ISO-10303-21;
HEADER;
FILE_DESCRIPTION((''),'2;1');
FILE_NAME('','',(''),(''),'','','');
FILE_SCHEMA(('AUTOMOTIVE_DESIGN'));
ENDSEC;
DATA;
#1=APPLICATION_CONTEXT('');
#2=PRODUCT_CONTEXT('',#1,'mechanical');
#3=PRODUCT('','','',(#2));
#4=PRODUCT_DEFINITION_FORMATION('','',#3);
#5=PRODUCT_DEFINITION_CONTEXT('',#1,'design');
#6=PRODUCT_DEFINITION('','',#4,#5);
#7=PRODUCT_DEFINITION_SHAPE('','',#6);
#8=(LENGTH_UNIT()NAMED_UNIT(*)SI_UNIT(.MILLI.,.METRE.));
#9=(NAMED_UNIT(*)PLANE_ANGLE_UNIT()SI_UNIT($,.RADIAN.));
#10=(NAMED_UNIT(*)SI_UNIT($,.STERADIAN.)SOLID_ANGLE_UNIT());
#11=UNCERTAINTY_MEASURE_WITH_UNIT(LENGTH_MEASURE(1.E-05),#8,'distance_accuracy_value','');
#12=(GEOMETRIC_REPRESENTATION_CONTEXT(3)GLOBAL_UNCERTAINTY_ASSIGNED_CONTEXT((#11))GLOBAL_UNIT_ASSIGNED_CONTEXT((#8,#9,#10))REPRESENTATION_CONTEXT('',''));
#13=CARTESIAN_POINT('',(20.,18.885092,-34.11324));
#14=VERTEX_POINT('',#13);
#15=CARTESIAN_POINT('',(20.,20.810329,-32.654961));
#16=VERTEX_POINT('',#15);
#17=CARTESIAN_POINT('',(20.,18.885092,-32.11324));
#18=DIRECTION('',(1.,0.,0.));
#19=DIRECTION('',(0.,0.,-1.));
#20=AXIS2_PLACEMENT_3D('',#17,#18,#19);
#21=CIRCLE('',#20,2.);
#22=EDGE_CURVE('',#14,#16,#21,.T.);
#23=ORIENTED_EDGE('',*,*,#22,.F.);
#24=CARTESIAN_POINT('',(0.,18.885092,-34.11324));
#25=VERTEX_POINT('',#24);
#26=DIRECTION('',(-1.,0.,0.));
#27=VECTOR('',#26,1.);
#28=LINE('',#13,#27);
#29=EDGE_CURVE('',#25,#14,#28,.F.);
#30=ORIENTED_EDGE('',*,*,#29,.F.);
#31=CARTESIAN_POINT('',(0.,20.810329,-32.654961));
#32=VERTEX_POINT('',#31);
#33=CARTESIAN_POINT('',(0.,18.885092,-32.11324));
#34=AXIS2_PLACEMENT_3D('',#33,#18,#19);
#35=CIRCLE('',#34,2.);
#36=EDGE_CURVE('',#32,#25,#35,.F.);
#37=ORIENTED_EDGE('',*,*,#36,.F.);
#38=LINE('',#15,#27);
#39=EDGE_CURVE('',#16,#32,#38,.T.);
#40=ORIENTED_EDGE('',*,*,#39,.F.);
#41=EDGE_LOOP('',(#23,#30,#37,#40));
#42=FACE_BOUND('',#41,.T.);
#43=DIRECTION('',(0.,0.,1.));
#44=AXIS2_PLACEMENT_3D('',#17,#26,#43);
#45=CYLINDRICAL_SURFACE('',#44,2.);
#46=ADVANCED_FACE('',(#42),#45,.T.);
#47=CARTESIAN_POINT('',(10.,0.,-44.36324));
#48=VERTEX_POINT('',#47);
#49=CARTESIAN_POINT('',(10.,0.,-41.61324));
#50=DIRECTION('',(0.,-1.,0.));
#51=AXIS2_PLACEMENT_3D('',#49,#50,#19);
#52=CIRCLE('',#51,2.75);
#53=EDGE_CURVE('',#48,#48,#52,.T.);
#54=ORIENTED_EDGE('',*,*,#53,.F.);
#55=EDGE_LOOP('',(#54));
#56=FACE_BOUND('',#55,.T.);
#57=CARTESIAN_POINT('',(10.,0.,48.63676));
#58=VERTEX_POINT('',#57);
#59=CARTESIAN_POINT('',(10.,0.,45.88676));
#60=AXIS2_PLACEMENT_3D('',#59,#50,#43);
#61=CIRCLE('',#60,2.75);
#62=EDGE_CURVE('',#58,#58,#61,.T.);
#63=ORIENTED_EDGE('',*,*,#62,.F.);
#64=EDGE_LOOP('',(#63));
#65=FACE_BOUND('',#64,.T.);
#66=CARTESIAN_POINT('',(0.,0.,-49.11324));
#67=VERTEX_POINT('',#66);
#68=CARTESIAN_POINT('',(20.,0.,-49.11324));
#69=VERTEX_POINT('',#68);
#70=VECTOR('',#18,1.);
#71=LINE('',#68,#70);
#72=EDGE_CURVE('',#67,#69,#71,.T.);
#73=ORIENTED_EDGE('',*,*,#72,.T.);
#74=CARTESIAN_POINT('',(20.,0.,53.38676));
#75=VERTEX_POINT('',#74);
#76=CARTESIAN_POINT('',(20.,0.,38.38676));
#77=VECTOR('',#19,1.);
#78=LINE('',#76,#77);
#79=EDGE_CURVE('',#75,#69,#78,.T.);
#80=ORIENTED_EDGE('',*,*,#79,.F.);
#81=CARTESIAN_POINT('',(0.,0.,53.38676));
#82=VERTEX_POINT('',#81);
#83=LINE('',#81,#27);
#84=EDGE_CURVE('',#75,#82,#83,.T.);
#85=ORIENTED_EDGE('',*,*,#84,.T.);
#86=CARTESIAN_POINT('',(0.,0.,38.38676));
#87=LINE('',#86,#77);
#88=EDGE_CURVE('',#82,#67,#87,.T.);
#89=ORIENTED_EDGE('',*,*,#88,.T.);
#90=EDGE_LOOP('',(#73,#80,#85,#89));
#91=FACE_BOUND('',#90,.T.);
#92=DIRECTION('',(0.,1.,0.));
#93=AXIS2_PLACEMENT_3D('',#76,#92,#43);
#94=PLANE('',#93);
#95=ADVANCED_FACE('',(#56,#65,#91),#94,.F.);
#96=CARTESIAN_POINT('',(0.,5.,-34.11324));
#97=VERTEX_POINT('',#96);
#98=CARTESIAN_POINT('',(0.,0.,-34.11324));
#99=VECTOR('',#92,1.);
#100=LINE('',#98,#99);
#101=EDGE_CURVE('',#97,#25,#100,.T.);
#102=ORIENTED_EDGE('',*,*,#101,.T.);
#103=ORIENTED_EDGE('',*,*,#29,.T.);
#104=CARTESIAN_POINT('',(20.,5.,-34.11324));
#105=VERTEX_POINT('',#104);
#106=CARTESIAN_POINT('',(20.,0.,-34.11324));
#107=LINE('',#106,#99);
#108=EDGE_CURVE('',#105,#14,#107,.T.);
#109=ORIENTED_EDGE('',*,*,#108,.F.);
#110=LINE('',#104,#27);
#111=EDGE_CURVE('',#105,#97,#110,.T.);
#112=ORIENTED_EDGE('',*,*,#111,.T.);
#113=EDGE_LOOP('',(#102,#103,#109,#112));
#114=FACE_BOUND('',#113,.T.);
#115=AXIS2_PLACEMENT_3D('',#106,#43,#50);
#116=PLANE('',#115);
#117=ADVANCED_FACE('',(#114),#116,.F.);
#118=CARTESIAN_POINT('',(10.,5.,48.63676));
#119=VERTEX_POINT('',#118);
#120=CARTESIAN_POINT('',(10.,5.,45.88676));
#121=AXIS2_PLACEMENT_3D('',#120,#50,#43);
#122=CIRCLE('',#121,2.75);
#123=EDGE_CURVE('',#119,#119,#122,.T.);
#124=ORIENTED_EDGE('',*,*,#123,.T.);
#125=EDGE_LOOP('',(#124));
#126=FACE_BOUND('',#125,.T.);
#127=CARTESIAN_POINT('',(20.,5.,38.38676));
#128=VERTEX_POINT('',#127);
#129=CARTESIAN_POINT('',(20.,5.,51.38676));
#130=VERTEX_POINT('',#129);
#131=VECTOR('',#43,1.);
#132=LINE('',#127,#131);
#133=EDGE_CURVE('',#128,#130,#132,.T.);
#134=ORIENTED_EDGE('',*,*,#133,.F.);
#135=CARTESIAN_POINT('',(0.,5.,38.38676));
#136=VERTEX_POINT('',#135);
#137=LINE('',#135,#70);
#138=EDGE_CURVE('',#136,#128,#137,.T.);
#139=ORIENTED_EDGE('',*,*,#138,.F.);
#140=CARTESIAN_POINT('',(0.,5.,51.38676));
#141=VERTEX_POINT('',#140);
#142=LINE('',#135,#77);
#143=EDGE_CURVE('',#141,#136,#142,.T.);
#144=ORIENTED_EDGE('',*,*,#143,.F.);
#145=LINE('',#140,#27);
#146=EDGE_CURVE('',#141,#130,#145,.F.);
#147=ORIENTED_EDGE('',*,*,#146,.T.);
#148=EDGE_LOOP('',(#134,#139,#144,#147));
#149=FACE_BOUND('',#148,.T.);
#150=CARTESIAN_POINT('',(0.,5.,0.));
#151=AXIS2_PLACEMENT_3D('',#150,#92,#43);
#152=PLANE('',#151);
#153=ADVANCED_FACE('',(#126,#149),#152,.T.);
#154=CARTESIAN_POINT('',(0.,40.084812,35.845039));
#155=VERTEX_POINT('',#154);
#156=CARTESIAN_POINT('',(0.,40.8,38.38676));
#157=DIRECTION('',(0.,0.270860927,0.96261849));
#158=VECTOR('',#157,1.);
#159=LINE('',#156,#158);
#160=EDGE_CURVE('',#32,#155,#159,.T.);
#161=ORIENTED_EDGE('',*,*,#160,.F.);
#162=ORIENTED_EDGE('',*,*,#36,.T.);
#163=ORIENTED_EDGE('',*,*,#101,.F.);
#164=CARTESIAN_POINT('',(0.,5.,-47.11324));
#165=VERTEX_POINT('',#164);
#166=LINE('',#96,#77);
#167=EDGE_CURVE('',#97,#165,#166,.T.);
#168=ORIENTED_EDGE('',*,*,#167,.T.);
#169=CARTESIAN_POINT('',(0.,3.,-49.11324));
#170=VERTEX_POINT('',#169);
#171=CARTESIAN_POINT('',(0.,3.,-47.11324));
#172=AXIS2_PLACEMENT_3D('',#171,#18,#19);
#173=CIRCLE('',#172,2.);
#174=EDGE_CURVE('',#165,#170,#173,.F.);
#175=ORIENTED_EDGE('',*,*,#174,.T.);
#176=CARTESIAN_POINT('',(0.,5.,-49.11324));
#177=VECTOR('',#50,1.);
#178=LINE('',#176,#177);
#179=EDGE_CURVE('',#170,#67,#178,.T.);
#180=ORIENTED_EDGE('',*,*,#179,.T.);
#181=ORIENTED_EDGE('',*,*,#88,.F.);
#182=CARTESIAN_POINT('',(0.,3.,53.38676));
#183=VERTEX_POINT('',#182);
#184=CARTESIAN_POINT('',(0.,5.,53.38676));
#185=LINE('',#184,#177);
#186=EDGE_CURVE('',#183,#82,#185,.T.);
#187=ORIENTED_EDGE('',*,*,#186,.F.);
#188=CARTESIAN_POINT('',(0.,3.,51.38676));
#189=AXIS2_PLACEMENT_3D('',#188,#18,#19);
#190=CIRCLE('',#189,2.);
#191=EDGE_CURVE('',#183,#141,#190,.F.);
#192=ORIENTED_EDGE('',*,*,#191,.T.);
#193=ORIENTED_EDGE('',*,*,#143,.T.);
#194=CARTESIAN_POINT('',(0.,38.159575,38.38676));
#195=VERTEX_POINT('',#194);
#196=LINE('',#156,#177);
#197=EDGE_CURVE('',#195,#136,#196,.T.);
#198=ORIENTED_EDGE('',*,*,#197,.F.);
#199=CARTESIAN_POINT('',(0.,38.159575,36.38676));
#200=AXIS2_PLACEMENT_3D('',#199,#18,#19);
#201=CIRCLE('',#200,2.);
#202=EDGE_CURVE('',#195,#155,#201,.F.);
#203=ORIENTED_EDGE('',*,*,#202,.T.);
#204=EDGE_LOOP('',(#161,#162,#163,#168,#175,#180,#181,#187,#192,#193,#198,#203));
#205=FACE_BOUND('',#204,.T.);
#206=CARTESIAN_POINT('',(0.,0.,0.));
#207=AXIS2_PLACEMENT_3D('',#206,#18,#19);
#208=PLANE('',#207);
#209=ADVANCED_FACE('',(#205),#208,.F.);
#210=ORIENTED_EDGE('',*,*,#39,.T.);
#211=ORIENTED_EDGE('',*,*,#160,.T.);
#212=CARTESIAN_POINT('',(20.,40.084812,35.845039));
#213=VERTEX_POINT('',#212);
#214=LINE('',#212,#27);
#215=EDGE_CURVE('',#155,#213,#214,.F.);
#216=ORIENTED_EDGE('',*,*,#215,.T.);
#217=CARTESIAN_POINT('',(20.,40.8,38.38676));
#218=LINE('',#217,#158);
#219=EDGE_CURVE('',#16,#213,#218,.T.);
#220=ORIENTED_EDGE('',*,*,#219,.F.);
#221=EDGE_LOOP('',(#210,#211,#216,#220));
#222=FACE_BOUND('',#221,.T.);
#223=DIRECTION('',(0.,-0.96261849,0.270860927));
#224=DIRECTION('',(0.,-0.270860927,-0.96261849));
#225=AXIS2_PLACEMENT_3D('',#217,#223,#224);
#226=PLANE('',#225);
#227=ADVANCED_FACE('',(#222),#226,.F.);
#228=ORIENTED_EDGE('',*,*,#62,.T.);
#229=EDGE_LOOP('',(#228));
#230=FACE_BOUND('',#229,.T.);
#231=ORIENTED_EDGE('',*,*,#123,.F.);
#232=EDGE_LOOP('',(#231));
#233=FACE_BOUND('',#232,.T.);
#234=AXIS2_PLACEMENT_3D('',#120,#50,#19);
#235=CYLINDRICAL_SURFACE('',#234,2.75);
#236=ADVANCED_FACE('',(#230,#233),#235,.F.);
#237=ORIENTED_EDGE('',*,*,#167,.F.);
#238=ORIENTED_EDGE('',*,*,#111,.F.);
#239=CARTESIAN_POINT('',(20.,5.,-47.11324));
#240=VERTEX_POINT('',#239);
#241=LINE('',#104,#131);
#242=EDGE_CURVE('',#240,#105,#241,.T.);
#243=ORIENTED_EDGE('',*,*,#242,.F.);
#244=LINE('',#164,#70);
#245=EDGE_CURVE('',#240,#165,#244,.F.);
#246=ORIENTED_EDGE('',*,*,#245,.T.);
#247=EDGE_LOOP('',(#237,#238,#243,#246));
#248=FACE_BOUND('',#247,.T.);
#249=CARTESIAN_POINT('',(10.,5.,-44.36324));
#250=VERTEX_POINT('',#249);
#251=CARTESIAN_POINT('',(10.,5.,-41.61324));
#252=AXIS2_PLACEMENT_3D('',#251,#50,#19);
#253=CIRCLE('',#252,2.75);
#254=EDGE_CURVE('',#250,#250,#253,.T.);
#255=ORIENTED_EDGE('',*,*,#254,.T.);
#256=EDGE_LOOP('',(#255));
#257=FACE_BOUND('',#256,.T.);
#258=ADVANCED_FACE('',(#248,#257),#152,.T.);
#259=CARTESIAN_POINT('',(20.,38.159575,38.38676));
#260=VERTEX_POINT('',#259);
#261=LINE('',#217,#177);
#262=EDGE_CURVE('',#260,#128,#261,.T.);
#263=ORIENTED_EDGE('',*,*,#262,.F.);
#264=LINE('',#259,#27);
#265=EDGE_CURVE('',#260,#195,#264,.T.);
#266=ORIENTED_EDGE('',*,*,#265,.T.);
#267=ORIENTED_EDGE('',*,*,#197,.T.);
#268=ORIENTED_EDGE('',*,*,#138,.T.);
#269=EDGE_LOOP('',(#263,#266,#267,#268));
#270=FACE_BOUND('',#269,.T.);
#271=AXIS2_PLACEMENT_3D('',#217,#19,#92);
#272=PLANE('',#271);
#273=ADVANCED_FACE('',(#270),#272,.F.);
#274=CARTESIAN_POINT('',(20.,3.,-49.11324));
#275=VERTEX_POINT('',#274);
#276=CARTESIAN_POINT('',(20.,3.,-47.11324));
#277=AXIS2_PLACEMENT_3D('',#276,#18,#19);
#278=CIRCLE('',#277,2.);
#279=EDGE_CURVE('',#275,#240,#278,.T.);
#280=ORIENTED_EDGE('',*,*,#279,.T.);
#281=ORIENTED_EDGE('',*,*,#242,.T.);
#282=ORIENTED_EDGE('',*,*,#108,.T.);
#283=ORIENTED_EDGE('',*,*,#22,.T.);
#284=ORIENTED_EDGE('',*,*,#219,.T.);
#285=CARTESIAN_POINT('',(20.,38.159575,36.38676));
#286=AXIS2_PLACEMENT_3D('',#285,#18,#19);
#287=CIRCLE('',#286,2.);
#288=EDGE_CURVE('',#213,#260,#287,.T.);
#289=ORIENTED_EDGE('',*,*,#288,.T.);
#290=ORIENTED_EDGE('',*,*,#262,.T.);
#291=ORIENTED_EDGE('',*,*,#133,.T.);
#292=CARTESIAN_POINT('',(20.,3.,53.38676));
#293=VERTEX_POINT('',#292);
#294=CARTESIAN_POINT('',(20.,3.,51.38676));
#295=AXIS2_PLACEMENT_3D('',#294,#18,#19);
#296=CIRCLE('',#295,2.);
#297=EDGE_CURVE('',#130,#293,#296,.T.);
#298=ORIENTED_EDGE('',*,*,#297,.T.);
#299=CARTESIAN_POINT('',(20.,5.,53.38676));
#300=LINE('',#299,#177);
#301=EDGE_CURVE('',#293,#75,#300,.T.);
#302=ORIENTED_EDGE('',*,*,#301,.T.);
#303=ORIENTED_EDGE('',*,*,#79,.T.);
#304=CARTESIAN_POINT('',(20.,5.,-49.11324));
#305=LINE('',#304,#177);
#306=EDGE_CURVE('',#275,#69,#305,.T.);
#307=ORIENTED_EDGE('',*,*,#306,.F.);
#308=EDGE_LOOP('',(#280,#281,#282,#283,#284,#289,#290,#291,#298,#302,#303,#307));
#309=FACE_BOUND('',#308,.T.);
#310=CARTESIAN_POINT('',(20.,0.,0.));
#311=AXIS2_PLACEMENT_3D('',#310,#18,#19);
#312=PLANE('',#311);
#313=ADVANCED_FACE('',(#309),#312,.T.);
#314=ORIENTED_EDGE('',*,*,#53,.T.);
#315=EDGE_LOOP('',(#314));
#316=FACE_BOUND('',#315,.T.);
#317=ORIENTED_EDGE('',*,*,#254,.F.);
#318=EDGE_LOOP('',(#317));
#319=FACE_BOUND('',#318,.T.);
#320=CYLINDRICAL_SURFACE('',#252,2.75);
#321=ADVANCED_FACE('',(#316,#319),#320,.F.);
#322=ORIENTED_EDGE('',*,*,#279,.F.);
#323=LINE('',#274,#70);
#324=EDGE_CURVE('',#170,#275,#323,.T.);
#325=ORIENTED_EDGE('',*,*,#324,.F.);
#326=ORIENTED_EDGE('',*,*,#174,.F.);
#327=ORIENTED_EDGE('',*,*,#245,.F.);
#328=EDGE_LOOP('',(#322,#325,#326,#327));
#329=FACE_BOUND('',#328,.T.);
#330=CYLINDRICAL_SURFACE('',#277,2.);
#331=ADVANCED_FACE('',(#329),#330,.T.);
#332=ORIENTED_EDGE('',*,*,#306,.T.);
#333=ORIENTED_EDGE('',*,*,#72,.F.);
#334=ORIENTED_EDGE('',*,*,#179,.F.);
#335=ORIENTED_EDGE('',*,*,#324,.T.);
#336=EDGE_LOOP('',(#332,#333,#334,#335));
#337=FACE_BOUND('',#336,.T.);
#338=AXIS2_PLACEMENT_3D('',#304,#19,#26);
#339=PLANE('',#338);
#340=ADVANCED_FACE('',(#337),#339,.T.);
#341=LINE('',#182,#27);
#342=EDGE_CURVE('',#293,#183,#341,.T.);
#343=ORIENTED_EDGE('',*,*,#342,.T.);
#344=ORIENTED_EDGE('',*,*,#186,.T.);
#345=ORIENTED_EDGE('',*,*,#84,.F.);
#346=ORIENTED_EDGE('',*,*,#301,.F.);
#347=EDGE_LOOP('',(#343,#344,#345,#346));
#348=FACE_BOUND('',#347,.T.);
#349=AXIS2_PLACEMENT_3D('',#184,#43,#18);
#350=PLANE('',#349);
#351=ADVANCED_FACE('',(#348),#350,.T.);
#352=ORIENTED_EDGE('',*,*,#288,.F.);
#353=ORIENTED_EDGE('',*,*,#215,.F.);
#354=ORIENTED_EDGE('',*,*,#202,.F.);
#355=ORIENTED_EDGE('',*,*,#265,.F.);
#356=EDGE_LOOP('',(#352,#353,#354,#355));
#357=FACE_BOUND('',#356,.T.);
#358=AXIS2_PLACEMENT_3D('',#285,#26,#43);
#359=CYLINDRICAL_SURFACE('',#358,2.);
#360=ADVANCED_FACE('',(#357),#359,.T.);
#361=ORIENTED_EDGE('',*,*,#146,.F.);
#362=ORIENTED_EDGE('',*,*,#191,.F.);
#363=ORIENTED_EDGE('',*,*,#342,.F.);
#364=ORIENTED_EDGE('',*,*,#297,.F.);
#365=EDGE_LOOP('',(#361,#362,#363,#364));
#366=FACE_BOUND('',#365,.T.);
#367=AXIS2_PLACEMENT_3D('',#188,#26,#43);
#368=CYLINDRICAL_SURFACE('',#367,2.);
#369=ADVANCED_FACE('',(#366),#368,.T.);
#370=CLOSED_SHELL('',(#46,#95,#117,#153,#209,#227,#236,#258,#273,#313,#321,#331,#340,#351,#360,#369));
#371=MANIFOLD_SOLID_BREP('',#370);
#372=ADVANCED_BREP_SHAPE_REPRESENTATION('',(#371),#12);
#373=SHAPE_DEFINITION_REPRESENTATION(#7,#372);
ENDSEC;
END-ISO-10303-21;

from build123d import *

# Parameters (mm, degrees)
EXTRUDE_1_DEPTH = 20
SKETCH_2_W      = 20
SKETCH_2_H      = 15
SKETCH_2_R      = 2.75
EXTRUDE_2_DEPTH = 5
FILLET_1_R      = 2


with BuildPart() as part:
    # 草图1 → 凸台-拉伸1 (new body)
    with BuildSketch(Plane(origin=(0, 0, 0), x_dir=(0, 0, -1), z_dir=(1, 0, 0))):
        Polygon((-38.386760485, 40.8), (-38.386760485, 0), (34.113239515, 0), (34.113239515, 20.4), align=None)
    extrude(amount=EXTRUDE_1_DEPTH)

    # 草图2 → 凸台-拉伸2 (add)
    # profile 1 of 2: a face of its own
    with BuildSketch(Plane.XZ):
        with Locations((10, 45.886760485)):
            Rectangle(SKETCH_2_W, SKETCH_2_H)
        with Locations(Location((10, 45.886760485, 0), (0, 0, 90))):
            Circle(SKETCH_2_R, mode=Mode.SUBTRACT)
    # profile 2 of 2: a face of its own
    with BuildSketch(Plane.XZ):
        with Locations((10, -41.613239515)):
            Rectangle(SKETCH_2_W, SKETCH_2_H)
        with Locations(Location((10, -41.613239515, 0), (0, 0, 270))):
            Circle(SKETCH_2_R, mode=Mode.SUBTRACT)
    extrude(amount=-EXTRUDE_2_DEPTH)

    # 圆角1
    fillet_1_edges = [part.edges().sort_by_distance(p)[0] for p in [
        (10, 5, 53.386760485),
        (10, 5, -49.113239515),
        (10, 20.4, -34.113239515),
        (10, 40.8, 38.386760485),
    ]]
    fillet(fillet_1_edges, radius=FILLET_1_R)


solid = part.part
